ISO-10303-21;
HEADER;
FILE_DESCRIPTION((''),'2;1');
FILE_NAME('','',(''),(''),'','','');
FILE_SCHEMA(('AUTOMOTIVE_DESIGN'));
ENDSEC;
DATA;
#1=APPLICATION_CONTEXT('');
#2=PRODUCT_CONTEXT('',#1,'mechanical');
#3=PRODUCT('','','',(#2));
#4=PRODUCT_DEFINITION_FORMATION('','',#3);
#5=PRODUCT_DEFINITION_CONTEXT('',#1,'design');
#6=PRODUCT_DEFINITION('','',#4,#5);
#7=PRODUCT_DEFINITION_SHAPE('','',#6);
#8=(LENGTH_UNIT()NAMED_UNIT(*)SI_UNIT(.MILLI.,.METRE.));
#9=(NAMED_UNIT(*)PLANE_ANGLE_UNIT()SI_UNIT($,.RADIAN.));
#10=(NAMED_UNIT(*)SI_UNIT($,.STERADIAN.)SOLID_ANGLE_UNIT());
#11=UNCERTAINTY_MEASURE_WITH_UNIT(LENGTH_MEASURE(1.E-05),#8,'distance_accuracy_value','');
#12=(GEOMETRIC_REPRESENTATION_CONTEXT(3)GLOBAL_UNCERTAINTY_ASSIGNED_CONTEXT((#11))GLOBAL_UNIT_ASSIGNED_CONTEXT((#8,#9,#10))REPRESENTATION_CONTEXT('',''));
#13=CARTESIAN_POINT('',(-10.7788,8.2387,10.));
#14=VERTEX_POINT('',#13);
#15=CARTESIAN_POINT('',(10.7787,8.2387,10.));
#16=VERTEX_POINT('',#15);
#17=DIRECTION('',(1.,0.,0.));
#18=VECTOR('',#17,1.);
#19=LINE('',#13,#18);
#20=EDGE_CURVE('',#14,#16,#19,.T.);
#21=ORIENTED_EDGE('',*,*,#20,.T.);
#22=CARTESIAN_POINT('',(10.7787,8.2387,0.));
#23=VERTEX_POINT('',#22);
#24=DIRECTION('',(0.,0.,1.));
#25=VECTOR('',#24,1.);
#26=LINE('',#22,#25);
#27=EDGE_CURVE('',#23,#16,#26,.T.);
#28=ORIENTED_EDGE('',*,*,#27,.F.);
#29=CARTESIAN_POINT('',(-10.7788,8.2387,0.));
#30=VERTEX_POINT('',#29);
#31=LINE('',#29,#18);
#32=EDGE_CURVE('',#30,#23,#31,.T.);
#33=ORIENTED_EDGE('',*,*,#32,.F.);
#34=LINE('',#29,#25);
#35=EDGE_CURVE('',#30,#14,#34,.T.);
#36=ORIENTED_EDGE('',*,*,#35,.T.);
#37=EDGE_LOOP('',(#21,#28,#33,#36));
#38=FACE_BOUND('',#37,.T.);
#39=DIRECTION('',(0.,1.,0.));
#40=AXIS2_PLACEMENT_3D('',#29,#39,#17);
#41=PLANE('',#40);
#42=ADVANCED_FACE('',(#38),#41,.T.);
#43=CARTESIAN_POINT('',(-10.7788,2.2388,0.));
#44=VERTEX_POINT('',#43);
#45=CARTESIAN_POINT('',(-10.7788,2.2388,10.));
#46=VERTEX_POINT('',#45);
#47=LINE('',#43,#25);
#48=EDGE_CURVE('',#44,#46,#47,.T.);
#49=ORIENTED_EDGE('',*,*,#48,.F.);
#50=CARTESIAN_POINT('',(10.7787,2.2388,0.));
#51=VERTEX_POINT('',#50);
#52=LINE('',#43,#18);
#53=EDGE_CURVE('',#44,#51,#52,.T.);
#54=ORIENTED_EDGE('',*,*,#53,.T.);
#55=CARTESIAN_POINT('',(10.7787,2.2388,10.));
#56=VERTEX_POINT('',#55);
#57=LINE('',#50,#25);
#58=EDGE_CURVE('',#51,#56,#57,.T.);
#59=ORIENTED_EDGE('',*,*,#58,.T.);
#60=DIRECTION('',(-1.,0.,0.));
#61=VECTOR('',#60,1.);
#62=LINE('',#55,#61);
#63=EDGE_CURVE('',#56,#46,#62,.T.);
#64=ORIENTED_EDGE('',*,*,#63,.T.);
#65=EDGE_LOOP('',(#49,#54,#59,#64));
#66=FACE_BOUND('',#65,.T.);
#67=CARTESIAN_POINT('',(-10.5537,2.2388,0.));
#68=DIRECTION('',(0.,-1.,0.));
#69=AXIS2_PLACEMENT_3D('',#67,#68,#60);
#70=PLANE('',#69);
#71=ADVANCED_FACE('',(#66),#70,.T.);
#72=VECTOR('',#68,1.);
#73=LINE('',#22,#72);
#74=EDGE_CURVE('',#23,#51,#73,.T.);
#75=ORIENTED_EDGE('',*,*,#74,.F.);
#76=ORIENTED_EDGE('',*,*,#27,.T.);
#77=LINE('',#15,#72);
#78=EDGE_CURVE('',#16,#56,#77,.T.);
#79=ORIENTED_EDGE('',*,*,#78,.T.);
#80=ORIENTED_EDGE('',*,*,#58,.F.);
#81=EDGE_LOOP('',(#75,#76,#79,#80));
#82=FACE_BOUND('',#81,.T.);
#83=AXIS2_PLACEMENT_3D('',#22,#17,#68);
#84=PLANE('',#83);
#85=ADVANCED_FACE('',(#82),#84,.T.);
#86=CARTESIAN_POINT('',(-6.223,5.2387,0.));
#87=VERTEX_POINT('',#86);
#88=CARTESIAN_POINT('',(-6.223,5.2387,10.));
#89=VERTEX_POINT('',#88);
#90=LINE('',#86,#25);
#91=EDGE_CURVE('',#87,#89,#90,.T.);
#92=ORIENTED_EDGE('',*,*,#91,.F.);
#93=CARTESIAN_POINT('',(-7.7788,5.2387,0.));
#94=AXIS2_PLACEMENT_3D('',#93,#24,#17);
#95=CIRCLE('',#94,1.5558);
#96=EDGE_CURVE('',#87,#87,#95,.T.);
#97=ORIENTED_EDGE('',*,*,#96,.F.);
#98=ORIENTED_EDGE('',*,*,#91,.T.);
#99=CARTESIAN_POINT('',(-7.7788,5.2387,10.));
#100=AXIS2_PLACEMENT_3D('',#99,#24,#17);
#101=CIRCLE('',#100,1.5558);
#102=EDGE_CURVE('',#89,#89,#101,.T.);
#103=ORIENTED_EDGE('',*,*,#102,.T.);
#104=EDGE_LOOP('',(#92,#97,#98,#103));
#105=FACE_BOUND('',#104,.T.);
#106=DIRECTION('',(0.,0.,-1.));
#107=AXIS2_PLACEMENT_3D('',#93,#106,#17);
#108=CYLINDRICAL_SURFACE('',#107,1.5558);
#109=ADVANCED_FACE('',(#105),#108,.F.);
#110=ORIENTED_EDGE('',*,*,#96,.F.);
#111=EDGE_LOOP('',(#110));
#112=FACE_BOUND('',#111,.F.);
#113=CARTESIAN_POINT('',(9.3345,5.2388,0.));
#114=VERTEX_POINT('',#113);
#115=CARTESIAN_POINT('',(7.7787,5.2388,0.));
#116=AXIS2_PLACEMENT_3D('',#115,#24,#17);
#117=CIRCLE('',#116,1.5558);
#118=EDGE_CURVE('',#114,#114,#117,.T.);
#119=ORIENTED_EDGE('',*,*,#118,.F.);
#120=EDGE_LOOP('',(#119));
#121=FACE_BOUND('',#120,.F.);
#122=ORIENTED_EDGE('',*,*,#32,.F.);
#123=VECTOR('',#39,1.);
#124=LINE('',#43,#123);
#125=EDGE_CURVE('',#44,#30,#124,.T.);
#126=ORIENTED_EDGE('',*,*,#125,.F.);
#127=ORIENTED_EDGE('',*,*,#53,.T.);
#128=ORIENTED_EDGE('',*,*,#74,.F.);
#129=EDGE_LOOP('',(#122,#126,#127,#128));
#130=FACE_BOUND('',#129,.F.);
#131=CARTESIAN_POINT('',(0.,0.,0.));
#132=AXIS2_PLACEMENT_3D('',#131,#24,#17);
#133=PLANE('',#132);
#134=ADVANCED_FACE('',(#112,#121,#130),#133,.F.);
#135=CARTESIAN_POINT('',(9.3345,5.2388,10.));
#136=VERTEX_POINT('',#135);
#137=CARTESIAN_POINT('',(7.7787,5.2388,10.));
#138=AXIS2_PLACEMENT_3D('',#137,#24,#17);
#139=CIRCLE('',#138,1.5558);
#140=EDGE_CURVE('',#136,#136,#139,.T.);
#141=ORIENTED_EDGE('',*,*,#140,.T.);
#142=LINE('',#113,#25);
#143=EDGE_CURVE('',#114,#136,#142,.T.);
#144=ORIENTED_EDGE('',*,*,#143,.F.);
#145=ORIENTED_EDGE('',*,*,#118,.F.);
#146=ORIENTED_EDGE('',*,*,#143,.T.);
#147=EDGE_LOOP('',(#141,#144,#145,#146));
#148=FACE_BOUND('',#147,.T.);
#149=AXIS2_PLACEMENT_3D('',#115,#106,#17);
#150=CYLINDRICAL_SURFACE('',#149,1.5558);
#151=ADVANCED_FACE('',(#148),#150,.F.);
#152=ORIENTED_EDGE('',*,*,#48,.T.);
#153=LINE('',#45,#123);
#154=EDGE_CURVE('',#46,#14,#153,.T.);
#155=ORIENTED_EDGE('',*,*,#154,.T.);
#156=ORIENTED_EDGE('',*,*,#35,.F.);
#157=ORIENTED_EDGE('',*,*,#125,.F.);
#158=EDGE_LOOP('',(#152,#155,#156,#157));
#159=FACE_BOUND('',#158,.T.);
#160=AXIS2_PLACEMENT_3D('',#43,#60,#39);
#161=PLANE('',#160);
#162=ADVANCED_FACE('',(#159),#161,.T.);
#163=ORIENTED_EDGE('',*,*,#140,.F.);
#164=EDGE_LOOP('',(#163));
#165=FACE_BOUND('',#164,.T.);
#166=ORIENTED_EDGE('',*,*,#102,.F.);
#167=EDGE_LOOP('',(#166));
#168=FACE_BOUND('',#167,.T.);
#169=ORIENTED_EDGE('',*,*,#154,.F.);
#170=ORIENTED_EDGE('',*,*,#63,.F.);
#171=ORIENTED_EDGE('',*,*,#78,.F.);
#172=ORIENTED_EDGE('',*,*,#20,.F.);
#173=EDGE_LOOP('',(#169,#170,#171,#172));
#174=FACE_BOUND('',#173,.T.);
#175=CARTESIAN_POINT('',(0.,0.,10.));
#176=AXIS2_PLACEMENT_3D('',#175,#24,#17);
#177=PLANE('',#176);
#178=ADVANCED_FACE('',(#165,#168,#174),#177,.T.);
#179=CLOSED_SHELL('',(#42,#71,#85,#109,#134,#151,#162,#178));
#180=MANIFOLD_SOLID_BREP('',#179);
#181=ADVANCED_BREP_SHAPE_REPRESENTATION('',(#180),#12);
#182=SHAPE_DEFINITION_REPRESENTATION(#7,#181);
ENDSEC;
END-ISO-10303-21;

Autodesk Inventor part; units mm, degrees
ref_plane "YZ Plane" through (0, 0, 0) normal (1, 0, 0) x (0, 1, 0)
ref_plane "XZ Plane" through (0, 0, 0) normal (0, 1, 0) x (-1, 0, 0)
ref_plane "XY Plane" through (0, 0, 0) normal (0, 0, 1) x (1, 0, 0)
sketch "Skizze1" plane through (0, 0, 0) normal (0, 0, 1) x (1, 0, 0)
  circle A0 centre (7.7787, 5.2388) radius 1.5558 projected
  circle A1 centre (-7.7788, 5.2387) radius 1.5558 projected
  line L0 (10.5537, 7.874) -> (10.5537, -7.874) projected
  line L1 (-10.5537, -7.874) -> (-10.5537, 7.874) projected
  line L2 (-10.5537, 7.874) -> (10.5537, 7.874) projected
  line L3 (10.5537, -7.874) -> (-10.5537, -7.874) projected
  line L4 (-10.7788, 8.2387) -> (10.7787, 8.2387)
  line L5 (10.7787, 8.2387) -> (10.7787, 2.2388)
  line L6 (10.7787, 2.2388) -> (-10.7788, 2.2388)
  line L7 (-10.7788, 2.2388) -> (-10.7788, 8.2387)
  point P0 (0, 0)
  dimension "d2" = 3
  dimension "d3" = 3
  dimension "d4" = 3
  dimension "d5" = 3
extrude "Extrusion1" add sketch "Skizze1" along normal blind 10 contours L2 L1 L6 L7 L4 L5 L0 | L0 L6 L1 L2
properties part number "Abstandhalter_MPU"
